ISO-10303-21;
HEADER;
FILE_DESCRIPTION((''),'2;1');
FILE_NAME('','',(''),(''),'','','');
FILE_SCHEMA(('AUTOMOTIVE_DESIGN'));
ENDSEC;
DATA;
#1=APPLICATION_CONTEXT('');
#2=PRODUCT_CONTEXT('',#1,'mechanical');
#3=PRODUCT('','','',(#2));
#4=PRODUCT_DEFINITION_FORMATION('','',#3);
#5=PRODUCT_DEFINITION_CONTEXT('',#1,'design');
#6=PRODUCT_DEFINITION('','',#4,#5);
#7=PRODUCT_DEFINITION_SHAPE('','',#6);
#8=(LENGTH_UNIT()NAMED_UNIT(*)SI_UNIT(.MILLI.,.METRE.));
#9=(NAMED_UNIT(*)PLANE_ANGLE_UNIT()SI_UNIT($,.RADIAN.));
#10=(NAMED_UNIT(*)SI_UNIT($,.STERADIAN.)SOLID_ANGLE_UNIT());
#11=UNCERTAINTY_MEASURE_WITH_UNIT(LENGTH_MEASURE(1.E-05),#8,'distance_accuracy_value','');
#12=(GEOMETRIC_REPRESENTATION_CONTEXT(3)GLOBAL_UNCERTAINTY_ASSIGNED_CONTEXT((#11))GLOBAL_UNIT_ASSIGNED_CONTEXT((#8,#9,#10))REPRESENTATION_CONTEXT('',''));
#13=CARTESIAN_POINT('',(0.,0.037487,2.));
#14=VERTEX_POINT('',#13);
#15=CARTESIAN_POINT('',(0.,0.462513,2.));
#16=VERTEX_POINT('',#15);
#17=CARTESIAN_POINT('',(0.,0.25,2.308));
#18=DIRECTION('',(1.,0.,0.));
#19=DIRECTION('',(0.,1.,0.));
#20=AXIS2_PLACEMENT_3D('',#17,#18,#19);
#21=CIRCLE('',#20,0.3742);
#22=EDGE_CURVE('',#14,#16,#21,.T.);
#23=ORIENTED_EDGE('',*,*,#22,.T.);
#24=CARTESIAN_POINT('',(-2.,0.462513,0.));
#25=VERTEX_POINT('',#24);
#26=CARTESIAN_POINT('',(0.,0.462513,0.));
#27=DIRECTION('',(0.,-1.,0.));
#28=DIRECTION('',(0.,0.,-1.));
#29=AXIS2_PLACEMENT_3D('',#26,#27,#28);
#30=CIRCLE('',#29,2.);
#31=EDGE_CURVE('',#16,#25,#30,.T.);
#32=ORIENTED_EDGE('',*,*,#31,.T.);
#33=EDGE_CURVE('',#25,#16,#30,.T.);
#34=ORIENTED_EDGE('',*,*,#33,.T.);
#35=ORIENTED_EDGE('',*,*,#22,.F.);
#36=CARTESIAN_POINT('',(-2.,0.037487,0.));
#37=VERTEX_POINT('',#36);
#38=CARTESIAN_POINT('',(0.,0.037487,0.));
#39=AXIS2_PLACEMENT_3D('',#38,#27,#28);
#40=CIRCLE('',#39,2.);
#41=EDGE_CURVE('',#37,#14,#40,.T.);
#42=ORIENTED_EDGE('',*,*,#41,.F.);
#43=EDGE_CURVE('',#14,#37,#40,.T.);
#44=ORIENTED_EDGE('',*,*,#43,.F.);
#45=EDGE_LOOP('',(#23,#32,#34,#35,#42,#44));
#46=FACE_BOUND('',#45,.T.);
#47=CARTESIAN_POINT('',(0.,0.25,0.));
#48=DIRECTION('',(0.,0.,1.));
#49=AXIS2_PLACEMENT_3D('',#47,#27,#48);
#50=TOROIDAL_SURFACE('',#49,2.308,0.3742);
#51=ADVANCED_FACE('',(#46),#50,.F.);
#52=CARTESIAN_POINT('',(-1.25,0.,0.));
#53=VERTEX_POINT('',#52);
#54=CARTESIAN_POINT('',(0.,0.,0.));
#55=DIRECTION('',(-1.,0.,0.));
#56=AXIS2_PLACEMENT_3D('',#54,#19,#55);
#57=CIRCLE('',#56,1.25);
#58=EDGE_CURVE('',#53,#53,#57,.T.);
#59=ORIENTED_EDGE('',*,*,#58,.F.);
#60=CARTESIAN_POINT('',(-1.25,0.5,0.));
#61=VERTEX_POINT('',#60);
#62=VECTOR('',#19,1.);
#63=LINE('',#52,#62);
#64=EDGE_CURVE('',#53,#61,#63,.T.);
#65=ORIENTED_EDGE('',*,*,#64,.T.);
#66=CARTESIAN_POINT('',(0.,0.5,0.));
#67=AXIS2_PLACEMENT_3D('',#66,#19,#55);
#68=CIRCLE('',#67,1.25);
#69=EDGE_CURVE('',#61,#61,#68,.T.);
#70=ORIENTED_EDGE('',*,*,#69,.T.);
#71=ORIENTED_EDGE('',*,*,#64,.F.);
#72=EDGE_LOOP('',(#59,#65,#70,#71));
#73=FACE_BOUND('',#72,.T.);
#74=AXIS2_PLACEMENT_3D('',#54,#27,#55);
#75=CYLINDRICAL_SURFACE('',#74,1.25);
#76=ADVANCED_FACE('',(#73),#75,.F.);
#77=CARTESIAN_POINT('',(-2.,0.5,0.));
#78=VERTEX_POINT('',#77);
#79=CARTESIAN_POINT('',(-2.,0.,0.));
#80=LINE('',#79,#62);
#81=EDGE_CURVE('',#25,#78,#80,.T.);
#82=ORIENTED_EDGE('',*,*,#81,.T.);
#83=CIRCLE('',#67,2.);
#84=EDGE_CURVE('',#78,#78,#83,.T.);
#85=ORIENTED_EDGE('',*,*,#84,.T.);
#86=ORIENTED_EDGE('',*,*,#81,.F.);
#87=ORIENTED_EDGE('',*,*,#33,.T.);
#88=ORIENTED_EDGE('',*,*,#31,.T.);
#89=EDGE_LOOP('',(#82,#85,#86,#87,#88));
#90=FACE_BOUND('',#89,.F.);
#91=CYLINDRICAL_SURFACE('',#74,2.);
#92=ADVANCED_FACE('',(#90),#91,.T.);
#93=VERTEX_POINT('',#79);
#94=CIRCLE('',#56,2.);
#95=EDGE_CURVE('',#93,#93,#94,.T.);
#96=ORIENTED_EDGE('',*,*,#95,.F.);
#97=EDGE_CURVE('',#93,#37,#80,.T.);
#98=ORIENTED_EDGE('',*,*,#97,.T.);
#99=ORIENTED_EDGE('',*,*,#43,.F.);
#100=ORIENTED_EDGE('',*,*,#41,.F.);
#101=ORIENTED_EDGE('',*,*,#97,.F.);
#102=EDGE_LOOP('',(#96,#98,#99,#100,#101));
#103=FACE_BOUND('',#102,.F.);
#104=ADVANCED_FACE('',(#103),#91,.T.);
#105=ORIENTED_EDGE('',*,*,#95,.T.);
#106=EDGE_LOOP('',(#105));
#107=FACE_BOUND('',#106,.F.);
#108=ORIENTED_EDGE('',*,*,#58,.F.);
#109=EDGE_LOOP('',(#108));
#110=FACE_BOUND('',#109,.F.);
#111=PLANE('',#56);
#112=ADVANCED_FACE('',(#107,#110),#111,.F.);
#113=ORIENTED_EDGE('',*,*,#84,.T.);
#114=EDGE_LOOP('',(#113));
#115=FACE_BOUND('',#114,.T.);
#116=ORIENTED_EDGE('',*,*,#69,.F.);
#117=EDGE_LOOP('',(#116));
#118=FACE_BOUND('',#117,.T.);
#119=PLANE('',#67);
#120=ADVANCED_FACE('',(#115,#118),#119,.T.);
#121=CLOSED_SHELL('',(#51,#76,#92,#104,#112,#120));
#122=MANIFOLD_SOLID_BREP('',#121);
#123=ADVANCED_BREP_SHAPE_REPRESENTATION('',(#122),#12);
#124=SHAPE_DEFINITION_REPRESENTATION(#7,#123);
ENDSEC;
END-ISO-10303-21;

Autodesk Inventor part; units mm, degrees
ref_plane "YZ Plane" through (0, 0, 0) normal (1, 0, 0) x (0, 1, 0)
ref_plane "XZ Plane" through (0, 0, 0) normal (0, 1, 0) x (-1, 0, 0)
ref_plane "XY Plane" through (0, 0, 0) normal (0, 0, 1) x (1, 0, 0)
sketch "Sketch1" plane through (0, 0, 0) normal (0, 1, 0) x (-1, 0, 0)
  circle A0 centre (0, 0) radius 1.25
  circle A1 centre (0, 0) radius 2
  dimension "d0" = 2.5
extrude "Extrusion1" add sketch "Sketch1" along normal blind 0.5
sketch "Sketch2" plane through (0, 0, 0) normal (1, 0, 0) x (0, 1, 0)
  circle A0 centre (0.25, 2.308) radius 0.3742
  line L0 (-0.2738, 0) -> (0.7738, 0) projected
  point P0 (0, 0)
revolve "Revolution1" cut sketch "Sketch2" angle 360 about axis through (0, -10, 0) along (0, 1, 0)
properties part number "LilBearing"
